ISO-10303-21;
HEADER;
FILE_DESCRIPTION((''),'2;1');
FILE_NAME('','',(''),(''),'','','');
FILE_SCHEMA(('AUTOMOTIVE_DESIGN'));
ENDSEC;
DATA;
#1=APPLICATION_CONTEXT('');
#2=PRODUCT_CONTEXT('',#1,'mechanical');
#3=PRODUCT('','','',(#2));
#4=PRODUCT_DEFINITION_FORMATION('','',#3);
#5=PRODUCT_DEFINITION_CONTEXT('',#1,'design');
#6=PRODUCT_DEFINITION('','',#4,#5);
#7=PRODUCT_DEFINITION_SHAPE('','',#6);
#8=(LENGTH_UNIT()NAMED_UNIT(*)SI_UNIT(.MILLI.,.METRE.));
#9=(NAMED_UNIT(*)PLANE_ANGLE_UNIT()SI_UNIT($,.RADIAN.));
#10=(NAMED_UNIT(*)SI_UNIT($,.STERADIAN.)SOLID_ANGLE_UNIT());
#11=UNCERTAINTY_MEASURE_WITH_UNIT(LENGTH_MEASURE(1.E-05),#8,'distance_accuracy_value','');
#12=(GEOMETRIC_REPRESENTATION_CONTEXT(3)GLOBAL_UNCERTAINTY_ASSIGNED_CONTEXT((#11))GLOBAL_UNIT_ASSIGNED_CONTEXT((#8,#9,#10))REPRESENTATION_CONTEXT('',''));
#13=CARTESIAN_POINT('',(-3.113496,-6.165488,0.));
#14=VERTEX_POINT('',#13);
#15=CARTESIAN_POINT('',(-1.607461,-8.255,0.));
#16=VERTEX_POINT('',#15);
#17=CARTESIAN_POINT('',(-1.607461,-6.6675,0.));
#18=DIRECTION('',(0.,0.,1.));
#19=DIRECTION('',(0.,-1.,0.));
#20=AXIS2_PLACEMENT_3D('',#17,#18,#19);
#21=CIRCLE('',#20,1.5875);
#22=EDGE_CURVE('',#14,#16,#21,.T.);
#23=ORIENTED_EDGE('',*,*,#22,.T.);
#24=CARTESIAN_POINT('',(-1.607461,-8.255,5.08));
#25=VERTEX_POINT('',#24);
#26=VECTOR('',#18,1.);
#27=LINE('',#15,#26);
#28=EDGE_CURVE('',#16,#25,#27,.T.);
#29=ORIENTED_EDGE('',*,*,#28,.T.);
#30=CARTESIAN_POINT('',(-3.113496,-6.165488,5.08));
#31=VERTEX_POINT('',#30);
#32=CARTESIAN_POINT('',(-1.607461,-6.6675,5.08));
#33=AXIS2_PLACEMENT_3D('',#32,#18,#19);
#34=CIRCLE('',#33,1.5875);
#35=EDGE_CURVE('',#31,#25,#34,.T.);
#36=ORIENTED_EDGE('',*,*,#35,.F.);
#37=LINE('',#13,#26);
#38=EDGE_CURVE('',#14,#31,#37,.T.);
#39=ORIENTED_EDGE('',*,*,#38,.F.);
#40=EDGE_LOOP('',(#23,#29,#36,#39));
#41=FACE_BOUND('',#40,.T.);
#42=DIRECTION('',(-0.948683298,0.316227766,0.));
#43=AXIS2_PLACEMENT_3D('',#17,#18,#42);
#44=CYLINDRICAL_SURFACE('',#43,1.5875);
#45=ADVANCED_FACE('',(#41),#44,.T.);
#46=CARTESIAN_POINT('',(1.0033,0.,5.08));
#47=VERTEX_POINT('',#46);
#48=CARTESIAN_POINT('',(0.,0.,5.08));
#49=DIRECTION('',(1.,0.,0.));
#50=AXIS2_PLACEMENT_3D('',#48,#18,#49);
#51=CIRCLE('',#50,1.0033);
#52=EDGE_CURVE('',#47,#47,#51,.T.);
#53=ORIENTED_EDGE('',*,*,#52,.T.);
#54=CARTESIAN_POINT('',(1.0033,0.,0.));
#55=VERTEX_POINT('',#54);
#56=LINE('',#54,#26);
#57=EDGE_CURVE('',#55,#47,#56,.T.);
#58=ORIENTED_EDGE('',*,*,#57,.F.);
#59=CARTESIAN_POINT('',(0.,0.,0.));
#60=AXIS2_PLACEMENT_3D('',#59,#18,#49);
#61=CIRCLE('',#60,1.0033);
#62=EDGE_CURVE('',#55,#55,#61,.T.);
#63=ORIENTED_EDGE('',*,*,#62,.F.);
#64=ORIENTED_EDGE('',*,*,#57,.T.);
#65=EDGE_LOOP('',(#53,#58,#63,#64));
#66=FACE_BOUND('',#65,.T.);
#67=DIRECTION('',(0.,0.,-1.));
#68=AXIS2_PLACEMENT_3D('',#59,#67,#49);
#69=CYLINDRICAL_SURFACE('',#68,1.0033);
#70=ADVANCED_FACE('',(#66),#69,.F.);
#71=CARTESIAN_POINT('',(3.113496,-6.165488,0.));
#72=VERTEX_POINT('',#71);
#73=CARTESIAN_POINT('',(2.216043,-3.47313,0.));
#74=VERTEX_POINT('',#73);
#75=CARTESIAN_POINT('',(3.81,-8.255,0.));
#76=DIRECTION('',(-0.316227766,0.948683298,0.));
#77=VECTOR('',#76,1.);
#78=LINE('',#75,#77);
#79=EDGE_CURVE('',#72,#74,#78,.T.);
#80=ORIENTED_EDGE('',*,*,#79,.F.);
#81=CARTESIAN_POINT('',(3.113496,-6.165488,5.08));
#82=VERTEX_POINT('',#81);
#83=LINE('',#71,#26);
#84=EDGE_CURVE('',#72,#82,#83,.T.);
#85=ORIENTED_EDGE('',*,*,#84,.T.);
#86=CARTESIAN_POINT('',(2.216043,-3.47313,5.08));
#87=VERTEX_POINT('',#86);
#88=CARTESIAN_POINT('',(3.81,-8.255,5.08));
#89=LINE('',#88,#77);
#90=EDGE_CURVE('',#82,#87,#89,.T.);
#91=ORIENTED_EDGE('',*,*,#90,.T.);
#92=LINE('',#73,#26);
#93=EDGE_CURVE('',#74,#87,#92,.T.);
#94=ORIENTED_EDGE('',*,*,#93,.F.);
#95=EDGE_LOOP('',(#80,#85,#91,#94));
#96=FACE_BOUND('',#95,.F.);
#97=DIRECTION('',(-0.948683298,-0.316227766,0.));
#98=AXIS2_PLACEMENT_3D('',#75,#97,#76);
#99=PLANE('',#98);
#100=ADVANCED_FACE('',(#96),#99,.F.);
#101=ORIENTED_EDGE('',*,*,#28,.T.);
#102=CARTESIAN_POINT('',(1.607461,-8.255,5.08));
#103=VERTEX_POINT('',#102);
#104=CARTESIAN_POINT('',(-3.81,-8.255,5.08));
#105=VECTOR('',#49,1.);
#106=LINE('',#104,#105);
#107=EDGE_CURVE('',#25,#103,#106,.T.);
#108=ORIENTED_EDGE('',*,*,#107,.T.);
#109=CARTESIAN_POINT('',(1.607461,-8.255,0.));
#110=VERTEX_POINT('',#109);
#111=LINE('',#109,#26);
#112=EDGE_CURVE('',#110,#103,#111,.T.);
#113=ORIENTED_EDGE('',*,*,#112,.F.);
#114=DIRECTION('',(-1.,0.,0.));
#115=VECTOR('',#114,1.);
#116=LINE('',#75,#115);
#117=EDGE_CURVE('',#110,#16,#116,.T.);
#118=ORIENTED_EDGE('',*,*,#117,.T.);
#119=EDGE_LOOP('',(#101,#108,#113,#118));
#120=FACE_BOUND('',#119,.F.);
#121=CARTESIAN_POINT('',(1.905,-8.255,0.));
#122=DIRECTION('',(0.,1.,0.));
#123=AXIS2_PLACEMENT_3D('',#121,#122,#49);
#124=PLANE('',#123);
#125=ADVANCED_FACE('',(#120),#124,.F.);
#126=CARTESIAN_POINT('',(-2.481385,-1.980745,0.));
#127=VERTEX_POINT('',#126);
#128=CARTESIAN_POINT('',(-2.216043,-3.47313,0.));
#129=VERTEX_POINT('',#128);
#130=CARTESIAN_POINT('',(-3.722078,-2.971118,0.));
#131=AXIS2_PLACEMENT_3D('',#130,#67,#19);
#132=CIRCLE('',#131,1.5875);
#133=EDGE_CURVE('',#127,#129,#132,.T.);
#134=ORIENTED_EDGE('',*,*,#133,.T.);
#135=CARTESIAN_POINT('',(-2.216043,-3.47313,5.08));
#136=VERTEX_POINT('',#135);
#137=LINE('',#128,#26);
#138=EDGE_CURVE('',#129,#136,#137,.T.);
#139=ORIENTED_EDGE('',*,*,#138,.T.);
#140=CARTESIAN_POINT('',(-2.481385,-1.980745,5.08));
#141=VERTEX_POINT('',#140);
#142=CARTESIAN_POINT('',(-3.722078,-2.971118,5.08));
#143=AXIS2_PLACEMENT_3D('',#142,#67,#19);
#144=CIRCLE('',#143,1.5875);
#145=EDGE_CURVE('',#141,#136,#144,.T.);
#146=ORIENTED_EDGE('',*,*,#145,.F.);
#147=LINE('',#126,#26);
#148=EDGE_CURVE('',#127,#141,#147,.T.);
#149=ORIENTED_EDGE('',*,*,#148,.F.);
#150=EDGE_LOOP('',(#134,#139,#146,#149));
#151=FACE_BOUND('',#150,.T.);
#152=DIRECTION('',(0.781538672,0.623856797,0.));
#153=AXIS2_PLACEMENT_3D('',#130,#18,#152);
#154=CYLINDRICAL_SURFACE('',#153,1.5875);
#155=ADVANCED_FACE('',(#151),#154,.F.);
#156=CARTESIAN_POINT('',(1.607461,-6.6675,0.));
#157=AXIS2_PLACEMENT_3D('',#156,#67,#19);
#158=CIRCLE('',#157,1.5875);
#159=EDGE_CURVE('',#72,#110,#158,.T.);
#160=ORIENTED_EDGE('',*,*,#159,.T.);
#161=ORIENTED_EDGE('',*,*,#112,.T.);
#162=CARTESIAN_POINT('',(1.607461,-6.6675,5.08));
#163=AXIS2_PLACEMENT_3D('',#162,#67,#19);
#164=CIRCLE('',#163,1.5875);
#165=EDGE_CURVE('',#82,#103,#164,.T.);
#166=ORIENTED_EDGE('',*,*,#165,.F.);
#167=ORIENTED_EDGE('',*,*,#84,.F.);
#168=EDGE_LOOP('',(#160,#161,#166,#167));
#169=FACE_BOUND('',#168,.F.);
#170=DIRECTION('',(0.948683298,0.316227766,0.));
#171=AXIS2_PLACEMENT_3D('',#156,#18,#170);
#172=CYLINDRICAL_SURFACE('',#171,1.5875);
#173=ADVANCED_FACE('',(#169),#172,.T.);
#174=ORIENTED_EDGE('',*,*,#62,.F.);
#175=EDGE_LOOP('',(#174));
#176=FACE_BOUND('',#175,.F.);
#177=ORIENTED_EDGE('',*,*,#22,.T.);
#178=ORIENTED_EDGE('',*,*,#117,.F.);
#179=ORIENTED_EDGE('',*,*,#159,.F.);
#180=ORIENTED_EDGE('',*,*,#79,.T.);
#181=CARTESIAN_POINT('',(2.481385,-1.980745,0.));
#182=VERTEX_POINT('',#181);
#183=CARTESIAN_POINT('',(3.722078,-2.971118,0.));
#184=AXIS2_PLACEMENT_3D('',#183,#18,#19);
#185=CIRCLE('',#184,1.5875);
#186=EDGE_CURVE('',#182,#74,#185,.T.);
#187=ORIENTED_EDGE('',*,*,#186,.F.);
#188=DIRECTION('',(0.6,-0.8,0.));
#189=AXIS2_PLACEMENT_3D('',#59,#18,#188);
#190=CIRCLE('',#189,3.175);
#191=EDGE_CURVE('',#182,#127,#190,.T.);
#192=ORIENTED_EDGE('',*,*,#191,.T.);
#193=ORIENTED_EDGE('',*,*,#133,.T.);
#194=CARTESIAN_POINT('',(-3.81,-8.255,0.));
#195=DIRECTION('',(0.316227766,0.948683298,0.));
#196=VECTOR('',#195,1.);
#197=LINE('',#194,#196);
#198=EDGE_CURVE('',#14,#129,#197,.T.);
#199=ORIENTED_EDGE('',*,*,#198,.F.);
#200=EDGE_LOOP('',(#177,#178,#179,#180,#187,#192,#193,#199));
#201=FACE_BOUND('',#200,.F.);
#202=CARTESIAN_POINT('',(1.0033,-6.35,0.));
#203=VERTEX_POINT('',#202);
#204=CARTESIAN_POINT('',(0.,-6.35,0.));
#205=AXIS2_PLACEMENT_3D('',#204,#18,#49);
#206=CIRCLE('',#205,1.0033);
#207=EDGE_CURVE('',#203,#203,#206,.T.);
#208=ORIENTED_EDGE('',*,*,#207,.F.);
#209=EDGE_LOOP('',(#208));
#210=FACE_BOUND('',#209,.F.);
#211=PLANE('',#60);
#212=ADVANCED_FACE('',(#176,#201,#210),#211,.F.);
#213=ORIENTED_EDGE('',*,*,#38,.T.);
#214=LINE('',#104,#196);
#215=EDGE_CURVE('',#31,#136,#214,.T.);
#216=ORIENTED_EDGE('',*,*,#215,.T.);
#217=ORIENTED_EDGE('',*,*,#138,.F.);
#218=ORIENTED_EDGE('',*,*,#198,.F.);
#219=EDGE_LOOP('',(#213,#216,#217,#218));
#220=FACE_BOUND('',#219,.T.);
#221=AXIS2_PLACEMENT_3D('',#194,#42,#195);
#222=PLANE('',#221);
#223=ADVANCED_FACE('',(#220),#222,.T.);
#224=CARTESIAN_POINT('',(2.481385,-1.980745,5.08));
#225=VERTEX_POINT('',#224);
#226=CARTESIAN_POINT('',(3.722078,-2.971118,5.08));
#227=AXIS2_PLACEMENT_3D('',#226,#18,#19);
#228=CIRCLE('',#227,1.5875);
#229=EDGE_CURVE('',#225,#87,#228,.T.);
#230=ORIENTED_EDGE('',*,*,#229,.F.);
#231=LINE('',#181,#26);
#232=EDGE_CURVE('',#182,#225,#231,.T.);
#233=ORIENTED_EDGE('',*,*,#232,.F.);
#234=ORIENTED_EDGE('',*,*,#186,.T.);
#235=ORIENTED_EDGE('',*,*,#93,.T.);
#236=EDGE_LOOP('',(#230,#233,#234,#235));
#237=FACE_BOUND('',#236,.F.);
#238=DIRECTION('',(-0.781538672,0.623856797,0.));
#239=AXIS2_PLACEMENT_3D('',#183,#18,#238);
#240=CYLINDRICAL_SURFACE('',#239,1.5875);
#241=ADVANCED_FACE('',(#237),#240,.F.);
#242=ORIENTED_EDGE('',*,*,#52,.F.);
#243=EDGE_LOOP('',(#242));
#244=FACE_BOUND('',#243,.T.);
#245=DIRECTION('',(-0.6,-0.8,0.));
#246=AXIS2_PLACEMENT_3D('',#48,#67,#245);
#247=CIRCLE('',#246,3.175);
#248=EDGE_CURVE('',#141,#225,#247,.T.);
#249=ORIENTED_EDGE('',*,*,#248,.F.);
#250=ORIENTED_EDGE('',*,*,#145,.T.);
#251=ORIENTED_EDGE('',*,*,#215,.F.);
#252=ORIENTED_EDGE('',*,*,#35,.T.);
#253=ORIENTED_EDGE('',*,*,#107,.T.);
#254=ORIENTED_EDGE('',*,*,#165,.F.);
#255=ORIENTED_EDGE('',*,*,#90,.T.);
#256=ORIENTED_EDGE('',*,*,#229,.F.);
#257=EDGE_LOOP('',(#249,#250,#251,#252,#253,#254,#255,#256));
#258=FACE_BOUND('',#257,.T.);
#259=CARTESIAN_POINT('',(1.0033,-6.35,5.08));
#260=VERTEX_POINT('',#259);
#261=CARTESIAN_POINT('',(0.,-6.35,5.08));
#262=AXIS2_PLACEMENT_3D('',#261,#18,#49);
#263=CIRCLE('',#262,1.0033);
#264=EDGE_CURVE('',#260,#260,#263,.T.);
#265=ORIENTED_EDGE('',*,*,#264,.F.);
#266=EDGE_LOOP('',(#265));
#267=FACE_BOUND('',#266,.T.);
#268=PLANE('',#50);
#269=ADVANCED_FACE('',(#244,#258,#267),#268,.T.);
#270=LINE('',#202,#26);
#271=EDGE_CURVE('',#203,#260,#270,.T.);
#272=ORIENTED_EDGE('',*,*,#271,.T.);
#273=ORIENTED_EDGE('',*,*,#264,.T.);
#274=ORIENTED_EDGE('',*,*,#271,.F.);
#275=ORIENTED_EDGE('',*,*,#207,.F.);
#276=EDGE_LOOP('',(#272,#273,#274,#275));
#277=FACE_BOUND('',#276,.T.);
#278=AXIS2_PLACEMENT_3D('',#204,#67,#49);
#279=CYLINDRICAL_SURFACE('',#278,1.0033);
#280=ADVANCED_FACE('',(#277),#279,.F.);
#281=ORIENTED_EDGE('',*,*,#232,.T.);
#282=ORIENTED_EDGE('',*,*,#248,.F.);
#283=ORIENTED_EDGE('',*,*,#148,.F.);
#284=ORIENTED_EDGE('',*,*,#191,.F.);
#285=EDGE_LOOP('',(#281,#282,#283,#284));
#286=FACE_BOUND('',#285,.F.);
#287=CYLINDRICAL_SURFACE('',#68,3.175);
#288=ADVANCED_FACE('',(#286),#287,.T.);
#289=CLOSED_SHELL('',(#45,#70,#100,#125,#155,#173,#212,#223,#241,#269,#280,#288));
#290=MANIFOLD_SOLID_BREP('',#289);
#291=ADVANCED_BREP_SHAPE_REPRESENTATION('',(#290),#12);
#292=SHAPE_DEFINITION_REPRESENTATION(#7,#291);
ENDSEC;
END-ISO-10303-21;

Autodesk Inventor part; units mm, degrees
ref_plane "YZ Plane" through (0, 0, 0) normal (1, 0, 0) x (0, 1, 0)
ref_plane "XZ Plane" through (0, 0, 0) normal (0, 1, 0) x (-1, 0, 0)
ref_plane "XY Plane" through (0, 0, 0) normal (0, 0, 1) x (1, 0, 0)
sketch "Sketch1" plane through (0, 0, 0) normal (0, 0, 1) x (1, 0, 0)
  circle A0 centre (0, 0) radius 1.0033
  circle A1 centre (0, 0) radius 3.175
  line L0 (-1.905, -8.255) -> (1.905, -8.255)
  line L1 (1.905, -8.255) -> (1.905, -2.54)
  line L2 (-1.905, -8.255) -> (-1.905, -2.54)
  circle A2 centre (0, -6.35) radius 1.0033
  line L3 (1.905, -8.255) -> (3.81, -8.255)
  line L4 (3.81, -8.255) -> (1.905, -2.54)
  line L5 (-1.905, -8.255) -> (-3.81, -8.255)
  line L6 (-3.81, -8.255) -> (-1.905, -2.54)
  point P0 (0, -8.255)
  dimension "d0" = 2.0066
  dimension "d1" = 6.35
  dimension "d2" = 3.81
  dimension "d3" = 2.0066
  dimension "d4" = 5.715
  dimension "d5" = 1.905
  dimension "d10" = 1.905
  dimension "d11" = 1.905
extrude "Extrusion1" add sketch "Sketch1" along normal blind 5.08 contours A1 | A1 L1 L0 L2
extrude "Extrusion3" add sketch "Sketch1" along normal blind 5.08 contours L2 L5 L6 | L4 L3 L1
fillet "Fillet1" radius 1.5875 4 edges at (3.81, -8.255, 2.54) (-3.81, -8.255, 2.54) (1.905, -2.54, 2.54) (-1.905, -2.54, 2.54)
